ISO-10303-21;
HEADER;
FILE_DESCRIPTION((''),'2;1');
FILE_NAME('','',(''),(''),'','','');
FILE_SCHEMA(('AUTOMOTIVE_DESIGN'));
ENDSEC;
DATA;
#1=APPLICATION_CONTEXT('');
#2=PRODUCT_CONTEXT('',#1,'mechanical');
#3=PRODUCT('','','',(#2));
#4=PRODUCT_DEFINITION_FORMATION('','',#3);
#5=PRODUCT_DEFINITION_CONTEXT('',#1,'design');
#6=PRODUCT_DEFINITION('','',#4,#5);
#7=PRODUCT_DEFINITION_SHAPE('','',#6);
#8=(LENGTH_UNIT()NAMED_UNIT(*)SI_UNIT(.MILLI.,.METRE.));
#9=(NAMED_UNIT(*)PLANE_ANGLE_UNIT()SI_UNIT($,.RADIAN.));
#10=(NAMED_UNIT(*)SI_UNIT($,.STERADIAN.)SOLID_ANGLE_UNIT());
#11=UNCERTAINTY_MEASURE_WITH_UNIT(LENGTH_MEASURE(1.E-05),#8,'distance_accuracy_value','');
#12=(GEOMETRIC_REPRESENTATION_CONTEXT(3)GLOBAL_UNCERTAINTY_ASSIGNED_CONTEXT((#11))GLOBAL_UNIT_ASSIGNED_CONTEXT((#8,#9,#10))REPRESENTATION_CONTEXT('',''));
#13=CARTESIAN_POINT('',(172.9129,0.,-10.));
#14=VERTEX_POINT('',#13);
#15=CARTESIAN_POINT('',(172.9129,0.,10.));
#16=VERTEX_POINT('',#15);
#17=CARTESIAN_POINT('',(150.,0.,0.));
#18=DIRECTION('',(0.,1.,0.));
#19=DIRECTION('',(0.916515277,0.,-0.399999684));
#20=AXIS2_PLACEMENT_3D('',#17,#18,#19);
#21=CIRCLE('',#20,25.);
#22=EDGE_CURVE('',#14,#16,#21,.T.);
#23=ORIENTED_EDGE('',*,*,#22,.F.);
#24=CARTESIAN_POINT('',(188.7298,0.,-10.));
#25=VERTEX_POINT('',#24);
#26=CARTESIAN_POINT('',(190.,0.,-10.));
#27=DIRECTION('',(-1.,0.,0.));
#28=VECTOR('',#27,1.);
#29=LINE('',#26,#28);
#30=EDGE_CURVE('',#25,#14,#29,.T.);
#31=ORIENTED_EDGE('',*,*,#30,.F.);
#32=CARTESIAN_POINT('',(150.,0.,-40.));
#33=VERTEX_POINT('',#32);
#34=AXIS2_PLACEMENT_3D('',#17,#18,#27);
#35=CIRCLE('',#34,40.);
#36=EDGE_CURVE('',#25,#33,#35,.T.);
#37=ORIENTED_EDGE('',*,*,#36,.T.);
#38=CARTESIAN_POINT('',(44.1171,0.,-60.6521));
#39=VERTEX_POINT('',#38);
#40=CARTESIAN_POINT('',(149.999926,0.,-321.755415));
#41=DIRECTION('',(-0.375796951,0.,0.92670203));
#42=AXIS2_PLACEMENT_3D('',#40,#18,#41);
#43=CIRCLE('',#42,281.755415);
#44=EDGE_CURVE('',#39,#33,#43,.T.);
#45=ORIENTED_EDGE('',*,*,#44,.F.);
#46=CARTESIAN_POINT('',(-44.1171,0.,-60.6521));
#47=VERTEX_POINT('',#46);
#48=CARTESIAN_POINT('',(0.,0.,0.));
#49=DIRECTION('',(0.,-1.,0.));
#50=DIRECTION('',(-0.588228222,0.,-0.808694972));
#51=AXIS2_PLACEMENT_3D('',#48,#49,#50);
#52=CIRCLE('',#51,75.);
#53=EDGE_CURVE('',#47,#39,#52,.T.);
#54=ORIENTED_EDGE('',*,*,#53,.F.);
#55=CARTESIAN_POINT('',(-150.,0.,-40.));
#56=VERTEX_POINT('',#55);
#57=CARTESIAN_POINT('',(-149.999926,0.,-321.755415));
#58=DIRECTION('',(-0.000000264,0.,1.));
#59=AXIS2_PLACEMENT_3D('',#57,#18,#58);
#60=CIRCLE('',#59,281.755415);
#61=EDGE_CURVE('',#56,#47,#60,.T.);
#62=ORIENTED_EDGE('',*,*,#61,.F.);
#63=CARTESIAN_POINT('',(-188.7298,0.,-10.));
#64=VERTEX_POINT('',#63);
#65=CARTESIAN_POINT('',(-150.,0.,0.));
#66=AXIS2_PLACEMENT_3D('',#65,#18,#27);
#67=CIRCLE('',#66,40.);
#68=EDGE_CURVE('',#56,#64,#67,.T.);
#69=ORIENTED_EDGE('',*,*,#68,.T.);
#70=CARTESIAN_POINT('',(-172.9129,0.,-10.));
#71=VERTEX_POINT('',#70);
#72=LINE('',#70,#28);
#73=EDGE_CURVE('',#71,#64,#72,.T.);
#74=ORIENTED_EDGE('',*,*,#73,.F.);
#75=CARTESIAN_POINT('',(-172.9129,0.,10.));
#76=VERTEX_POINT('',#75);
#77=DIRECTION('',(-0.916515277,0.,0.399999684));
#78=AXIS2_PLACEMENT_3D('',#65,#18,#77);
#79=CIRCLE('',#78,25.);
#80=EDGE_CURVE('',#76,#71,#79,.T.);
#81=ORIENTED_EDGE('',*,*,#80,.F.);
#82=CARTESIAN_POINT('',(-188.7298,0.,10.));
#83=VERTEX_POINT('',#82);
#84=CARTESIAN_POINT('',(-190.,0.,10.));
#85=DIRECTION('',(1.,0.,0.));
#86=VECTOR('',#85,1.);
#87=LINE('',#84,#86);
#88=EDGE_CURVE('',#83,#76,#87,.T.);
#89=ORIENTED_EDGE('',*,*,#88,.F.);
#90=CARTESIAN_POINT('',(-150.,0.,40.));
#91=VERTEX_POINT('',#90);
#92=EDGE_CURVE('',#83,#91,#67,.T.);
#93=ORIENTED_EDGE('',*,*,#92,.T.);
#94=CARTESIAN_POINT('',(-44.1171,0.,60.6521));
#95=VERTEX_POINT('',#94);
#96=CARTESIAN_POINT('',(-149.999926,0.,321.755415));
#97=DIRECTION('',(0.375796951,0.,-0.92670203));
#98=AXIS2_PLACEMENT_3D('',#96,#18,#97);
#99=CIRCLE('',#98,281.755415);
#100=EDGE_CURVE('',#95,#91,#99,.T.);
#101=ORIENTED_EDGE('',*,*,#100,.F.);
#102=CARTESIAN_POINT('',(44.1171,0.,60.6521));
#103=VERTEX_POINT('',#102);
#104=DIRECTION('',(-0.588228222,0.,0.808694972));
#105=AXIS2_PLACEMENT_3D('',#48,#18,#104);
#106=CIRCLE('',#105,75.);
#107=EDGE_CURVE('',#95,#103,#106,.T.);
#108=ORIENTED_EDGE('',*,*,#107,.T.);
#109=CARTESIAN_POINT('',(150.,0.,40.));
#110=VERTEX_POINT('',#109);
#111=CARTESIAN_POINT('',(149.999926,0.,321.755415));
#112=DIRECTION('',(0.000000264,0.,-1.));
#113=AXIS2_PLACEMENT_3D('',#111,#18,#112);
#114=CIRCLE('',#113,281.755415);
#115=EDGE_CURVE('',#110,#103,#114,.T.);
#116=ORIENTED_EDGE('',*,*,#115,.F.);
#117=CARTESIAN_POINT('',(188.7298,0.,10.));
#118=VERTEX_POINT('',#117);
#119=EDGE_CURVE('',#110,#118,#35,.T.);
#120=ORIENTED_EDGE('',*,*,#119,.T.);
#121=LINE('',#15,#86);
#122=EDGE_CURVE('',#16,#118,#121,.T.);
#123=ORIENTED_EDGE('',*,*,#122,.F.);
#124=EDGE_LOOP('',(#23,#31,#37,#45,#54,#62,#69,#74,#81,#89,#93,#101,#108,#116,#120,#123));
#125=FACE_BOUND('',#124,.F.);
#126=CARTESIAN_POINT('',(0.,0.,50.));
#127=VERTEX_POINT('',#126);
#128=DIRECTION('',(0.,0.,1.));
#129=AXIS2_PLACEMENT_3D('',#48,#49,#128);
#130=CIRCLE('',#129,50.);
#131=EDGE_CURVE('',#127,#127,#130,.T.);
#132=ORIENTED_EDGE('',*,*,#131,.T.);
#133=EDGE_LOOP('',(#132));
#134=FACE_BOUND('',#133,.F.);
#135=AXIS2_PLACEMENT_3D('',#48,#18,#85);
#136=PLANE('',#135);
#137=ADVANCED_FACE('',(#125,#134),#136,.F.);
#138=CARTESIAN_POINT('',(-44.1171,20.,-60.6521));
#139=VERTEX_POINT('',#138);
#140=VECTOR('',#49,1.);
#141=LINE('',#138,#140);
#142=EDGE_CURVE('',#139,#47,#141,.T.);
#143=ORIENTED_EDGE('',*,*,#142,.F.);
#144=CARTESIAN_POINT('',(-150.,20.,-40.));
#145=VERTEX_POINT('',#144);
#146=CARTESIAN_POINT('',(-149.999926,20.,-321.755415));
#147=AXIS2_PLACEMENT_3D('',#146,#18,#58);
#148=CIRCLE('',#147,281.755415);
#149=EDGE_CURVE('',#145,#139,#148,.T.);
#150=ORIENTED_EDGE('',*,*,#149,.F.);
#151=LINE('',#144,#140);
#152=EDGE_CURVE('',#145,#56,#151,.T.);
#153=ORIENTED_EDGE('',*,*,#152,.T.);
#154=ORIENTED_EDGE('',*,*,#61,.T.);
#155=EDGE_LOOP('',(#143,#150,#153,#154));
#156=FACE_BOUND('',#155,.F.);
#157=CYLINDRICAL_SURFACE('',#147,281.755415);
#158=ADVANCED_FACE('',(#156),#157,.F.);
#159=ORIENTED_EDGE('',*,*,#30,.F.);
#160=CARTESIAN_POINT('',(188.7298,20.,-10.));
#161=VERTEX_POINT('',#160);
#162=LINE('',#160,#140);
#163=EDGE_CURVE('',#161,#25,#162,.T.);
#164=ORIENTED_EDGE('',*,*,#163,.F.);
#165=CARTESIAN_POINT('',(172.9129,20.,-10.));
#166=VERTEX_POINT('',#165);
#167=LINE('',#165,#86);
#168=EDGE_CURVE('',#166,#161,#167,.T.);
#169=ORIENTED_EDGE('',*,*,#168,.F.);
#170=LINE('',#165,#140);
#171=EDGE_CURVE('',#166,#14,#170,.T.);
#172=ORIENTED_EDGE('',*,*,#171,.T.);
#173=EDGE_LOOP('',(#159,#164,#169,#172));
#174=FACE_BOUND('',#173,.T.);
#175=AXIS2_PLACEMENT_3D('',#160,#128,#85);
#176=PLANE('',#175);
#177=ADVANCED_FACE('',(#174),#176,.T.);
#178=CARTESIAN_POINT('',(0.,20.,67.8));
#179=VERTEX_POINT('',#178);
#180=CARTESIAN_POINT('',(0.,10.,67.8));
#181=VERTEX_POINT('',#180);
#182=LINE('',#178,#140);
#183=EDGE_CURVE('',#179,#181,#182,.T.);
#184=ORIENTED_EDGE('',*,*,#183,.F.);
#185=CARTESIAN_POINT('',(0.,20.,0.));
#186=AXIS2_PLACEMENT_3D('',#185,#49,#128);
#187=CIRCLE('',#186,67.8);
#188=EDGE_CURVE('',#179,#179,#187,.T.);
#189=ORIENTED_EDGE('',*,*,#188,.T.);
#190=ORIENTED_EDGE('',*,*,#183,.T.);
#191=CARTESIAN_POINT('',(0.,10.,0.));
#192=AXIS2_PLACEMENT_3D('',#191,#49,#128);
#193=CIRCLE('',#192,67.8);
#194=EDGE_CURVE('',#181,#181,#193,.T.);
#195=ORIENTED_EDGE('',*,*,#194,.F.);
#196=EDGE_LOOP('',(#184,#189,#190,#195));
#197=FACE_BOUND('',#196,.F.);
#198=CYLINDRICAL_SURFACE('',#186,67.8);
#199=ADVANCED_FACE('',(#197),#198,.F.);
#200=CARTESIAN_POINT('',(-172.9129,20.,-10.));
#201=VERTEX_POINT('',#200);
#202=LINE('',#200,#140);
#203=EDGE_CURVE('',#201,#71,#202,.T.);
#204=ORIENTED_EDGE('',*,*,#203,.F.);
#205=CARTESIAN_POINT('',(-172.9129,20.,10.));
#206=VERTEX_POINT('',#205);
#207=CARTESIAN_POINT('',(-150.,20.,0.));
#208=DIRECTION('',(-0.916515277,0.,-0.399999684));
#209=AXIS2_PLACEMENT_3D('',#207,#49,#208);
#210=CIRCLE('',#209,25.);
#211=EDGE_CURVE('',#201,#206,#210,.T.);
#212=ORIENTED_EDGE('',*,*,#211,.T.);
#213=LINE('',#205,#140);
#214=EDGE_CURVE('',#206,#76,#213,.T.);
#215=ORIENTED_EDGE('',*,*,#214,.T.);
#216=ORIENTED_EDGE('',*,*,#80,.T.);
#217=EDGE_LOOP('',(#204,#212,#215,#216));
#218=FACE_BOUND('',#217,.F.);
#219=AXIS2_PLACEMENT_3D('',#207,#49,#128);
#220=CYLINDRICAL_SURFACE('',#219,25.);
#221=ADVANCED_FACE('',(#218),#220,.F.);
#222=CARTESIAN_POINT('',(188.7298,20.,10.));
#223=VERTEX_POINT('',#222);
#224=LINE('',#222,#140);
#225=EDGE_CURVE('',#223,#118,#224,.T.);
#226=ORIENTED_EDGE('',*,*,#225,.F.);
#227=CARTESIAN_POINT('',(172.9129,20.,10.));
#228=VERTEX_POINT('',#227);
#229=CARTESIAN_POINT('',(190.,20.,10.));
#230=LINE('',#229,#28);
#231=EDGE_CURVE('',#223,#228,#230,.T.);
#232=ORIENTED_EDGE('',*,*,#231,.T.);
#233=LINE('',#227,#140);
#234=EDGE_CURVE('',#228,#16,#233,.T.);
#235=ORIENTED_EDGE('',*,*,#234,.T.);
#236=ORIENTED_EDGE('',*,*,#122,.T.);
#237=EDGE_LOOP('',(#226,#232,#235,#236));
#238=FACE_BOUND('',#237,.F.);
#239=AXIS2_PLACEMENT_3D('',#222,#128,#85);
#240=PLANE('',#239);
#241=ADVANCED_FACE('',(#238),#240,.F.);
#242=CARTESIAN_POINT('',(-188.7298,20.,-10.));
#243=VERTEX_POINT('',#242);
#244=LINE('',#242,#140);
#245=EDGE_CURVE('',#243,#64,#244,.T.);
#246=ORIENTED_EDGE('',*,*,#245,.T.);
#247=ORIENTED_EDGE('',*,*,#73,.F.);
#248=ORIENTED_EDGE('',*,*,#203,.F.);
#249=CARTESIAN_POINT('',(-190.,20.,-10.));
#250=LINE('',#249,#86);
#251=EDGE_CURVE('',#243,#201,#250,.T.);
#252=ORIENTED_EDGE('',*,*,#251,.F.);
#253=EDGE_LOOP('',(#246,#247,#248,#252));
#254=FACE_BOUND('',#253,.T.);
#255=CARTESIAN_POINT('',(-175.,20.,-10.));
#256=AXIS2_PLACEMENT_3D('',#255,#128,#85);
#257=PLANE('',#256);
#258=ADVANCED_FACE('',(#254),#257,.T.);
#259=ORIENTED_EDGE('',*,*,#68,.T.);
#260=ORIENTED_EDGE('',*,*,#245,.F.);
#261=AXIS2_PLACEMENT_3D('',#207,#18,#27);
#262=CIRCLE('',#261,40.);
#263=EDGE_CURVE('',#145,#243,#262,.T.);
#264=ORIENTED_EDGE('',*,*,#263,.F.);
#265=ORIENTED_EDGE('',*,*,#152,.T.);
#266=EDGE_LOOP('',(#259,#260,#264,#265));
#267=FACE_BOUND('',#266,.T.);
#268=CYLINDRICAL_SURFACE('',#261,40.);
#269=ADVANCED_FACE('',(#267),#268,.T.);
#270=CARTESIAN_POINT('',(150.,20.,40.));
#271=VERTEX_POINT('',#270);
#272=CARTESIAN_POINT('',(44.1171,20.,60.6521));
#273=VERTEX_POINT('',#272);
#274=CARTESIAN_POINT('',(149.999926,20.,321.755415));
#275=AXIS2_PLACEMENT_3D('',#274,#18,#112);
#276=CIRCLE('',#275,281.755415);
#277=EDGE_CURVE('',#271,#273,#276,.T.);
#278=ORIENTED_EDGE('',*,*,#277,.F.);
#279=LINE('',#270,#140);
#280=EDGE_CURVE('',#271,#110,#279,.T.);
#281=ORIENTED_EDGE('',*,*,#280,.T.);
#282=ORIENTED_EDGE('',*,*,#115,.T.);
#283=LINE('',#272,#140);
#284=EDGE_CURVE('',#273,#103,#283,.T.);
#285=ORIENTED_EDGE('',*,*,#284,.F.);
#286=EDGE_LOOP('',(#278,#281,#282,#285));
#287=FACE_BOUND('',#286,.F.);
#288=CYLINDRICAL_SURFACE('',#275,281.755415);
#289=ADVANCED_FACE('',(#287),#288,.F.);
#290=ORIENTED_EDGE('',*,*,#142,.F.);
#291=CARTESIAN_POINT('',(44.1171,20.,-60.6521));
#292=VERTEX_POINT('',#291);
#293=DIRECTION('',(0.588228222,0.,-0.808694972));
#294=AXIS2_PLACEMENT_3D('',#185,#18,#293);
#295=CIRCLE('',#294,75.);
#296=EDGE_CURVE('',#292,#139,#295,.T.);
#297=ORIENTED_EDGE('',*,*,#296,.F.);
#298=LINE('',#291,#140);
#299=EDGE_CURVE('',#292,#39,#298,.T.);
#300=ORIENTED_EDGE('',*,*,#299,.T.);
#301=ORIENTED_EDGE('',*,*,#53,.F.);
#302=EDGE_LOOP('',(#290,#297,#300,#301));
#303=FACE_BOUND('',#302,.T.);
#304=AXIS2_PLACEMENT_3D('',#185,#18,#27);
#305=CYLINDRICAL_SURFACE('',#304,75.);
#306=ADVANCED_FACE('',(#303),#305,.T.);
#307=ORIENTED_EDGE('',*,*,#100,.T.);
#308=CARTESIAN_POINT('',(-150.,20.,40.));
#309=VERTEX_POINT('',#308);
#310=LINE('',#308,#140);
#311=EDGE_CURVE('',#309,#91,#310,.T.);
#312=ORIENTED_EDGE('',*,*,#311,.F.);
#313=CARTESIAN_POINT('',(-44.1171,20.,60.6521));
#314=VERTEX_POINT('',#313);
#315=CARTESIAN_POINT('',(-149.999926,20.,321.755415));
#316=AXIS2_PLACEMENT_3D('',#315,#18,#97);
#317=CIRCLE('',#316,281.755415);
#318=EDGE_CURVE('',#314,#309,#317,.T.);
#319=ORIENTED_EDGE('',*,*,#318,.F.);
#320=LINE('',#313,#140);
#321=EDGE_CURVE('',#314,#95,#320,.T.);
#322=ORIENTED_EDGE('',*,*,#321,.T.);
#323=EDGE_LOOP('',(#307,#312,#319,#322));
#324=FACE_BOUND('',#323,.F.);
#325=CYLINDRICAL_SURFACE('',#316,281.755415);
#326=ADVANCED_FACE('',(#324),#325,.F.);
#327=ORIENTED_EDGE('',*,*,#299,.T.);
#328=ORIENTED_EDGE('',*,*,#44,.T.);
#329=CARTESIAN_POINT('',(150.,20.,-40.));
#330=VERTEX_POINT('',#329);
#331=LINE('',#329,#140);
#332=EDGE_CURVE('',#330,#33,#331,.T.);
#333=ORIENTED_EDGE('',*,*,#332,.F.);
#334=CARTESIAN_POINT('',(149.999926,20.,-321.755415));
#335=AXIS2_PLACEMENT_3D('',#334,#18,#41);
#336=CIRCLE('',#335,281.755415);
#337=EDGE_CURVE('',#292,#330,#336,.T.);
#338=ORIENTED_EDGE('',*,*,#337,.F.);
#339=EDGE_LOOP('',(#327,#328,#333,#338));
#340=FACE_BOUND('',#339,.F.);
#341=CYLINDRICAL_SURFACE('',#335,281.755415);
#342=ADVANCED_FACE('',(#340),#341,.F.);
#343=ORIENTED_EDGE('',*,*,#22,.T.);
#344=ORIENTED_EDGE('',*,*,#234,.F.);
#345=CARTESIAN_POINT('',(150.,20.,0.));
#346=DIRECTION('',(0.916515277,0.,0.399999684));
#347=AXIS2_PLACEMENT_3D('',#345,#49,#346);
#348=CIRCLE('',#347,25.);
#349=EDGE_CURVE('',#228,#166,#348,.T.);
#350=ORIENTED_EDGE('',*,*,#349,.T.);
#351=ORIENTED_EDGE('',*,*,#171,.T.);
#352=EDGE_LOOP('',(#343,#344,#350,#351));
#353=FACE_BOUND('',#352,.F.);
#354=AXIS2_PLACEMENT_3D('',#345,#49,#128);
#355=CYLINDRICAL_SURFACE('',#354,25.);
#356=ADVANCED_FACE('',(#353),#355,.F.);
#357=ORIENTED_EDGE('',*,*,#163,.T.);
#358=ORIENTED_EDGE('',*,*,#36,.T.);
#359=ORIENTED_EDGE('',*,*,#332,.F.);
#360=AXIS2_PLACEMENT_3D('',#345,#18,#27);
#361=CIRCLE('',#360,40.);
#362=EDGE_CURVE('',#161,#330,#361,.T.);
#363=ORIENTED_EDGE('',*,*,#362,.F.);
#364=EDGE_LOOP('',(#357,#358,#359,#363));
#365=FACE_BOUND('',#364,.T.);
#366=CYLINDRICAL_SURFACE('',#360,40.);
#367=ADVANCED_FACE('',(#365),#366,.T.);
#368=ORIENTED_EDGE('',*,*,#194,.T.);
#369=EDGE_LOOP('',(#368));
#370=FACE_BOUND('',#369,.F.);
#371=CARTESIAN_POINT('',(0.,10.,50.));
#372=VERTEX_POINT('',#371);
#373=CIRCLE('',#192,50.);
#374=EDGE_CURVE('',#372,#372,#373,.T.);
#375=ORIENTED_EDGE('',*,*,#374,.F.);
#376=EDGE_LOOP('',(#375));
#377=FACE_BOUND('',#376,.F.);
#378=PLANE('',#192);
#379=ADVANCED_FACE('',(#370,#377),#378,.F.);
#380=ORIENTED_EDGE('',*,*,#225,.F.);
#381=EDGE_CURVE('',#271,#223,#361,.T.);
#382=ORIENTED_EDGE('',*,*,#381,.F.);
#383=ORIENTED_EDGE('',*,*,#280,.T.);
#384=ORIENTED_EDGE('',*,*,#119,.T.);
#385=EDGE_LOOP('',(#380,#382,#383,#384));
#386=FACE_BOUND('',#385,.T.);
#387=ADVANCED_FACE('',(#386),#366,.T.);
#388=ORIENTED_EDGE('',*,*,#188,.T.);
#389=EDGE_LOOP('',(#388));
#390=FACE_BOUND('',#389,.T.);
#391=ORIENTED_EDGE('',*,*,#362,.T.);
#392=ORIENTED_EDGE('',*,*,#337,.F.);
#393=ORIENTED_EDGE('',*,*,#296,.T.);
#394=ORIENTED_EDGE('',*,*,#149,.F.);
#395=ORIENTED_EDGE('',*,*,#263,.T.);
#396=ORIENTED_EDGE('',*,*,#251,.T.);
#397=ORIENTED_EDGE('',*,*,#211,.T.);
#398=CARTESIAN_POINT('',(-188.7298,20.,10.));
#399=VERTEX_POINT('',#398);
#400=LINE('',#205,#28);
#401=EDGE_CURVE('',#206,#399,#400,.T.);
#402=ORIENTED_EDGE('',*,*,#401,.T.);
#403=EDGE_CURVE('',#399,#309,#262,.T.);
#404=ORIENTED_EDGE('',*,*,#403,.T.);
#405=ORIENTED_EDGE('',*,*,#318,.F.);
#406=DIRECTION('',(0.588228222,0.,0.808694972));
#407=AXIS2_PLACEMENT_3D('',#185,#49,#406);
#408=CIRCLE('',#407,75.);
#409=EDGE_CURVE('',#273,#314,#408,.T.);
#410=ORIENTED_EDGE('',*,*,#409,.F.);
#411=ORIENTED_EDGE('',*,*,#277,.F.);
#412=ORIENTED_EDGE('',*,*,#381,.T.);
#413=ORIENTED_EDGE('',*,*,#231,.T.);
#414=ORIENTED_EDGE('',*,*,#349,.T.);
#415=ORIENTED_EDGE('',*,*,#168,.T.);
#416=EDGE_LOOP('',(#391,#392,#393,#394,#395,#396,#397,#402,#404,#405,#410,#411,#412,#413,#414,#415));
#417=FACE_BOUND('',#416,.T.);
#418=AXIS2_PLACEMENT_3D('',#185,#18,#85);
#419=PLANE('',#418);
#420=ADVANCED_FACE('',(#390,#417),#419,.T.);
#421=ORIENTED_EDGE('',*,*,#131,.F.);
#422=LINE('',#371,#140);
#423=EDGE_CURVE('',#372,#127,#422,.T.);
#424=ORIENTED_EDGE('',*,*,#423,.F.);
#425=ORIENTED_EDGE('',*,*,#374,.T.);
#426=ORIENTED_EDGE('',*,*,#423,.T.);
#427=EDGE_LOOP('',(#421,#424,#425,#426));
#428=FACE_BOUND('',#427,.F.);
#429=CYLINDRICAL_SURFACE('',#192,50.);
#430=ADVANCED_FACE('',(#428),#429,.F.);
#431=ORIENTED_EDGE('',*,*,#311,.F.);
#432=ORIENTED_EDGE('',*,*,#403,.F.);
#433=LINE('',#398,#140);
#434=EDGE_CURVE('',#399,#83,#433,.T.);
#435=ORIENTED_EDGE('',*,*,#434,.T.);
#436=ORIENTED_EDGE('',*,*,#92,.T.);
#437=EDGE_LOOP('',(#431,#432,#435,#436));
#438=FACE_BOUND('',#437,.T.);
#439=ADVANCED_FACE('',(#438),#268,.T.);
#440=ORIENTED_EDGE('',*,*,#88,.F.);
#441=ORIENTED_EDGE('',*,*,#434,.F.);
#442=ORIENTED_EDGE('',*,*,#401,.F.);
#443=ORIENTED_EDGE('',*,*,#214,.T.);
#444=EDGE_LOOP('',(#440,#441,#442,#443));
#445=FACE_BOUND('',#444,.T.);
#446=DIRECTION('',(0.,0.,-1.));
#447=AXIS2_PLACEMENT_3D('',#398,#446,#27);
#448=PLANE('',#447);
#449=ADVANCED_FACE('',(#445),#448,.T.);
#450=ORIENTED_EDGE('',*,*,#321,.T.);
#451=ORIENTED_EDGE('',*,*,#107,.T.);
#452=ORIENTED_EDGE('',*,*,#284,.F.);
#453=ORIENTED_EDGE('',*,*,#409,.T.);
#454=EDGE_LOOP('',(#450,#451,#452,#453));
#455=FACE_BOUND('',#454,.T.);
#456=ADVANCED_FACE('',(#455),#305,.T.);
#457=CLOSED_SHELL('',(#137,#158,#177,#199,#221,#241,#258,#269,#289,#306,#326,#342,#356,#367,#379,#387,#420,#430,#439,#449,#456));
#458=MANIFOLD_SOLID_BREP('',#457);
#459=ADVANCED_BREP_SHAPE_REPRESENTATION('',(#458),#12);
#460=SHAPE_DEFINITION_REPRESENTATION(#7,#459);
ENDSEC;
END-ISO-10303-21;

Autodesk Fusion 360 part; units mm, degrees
sketch "Sketch1" plane through (0, 0, 0) normal (0, 1, 0) x (1, 0, 0)
  line L0 (190, -75) -> (-190, -75)
  line L1 (-190, -75) -> (-190, 75)
  line L2 (-190, 75) -> (190, 75)
  line L3 (190, 75) -> (190, -75)
  line L4 (190, -75) -> (-190, 75) construction
  line L5 (-190, -75) -> (190, 75) construction
  dimension "d1" = 380
  dimension "d2" = 150
extrude "Extrude1" add sketch "Sketch1" along normal blind 20
sketch "Sketch2" plane through (0, 20, 0) normal (0, 1, 0) x (-1, 0, 0)
  line L0 (-190, -75) -> (190, -75)
  line L1 (190, -75) -> (190, 75)
  line L2 (190, 75) -> (-190, 75)
  line L3 (-190, 75) -> (-190, -75)
  circle A0 centre (0, 0) radius 75
  line L4 (0, 0) -> (-150, 0)
  line L5 (0, 0) -> (150, 0)
  circle A1 centre (150, 0) radius 40
  circle A2 centre (-150, 0) radius 40
  line L6 (190, 0) -> (175, 0)
  line L7 (175, 0) -> (175, -10)
  line L8 (175, -10) -> (188.7298, -10)
  line L9 (175, 0) -> (175, 10)
  line L10 (175, 10) -> (188.7298, 10)
  line L11 (-190, 0) -> (-175, 0)
  line L12 (-175, 0) -> (-175, -10)
  line L13 (-175, 0) -> (-175, 10)
  line L14 (-175, -10) -> (-188.7298, -10)
  line L15 (-175, 10) -> (-188.7298, 10)
  line L16 (-188.7298, -10) -> (-190, -10)
  line L17 (-188.7298, 10) -> (-190, 10)
  line L18 (188.7298, -10) -> (190, -10)
  line L19 (188.7298, 10) -> (190, 10)
  circle A3 centre (150, 0) radius 25
  line L20 (175, -10) -> (172.9129, -10)
  line L21 (172.9129, 10) -> (175, 10)
  line L22 (172.9129, 10) -> (172.9129, -10)
  circle A4 centre (-150, 0) radius 25
  line L23 (-175, -10) -> (-172.9129, -10)
  line L24 (-172.9129, -10) -> (-172.9129, 10)
  line L25 (-172.9129, 10) -> (-175, 10)
  line L26 (-190, 10) -> (-190, -10)
  line L27 (-188.7298, -10) -> (-190, -10)
  line L28 (-188.7298, 10) -> (-190, 10)
  line L29 (0, -75) -> (-190, -75)
  line L30 (0, -75) -> (0, 75)
  line L31 (-190, 75) -> (-190, -75)
  line L32 (-150, 0) -> (-150, -75)
  line L33 (-150, 0) -> (-150, 75)
  line L34 (0, 75) -> (-150, 75)
  line L35 (150, 0) -> (150, 75)
  line L36 (0, 75) -> (150, 75)
  line L37 (150, 0) -> (150, -75)
  line L38 (150, -75) -> (0, -75)
  arc A5 (150, -40) -> (44.1171, -60.6521) centre (150, -321.7554) ccw
  arc A6 (-44.1171, -60.6521) -> (-150, -40) centre (-150, -321.7554) ccw
  arc A7 (-150, 40) -> (-44.1171, 60.6521) centre (-150, 321.7554) ccw
  arc A8 (44.1171, 60.6521) -> (150, 40) centre (150, 321.7554) ccw
  dimension "d5" = 150
  dimension "d6" = 150
  dimension "d7" = 80
  dimension "d19" = 15
  dimension "d20" = 10
  dimension "d21" = 10
  dimension "d22" = 15
  dimension "d23" = 10
  dimension "d24" = 10
hole "Hole1" at (0, 20, 0) direction (0, -1, 0) diameter 100 depth 20 tip angle 180 counterbore diameter 135.6 counterbore depth 10
hole "Hole2" at (-150, 20, 0) direction (0, -1, 0) diameter 50 depth 20 tip angle 180
hole "Hole3" at (150, 20, 0) direction (0, -1, 0) diameter 50 depth 20 tip angle 180
extrude "Extrude2" cut sketch "Sketch2" against normal blind 20 contours A2 L11 L12 L14 | A2 L11 L13 L15 | A1 L6 L7 L8 | A1 L6 L9 L10
extrude "Extrude3" cut sketch "Sketch2" against normal blind 20 contours L1 A1 L18 | L1 A1 L19
extrude "Extrude4" cut sketch "Sketch2" against normal blind 20 contours L7 A3 L20 | L9 A3 L21
extrude "Extrude5" cut sketch "Sketch2" against normal blind 20 contours L12 A4 L23 | L13 A4 L25
extrude "Extrude6" cut sketch "Sketch2" against normal blind 20 contours L3 A2 L16 L26 L27 L31 | L3 A2 L17 L26 L28 L31
extrude "Extrude7" cut sketch "Sketch2" against normal blind 20 contours L0 L3 A2 L16 L27 L29 L31 L32 | L0 A0 L29 L32 A6 | L0 A0 L37 L38 A5 | L0 L1 A1 L18 L37 | L2 L3 A2 L17 L28 L31 L33 | L2 A0 L33 L34 A7 | L2 A0 L35 L36 A8 | L1 L2 A1 L19 L35
